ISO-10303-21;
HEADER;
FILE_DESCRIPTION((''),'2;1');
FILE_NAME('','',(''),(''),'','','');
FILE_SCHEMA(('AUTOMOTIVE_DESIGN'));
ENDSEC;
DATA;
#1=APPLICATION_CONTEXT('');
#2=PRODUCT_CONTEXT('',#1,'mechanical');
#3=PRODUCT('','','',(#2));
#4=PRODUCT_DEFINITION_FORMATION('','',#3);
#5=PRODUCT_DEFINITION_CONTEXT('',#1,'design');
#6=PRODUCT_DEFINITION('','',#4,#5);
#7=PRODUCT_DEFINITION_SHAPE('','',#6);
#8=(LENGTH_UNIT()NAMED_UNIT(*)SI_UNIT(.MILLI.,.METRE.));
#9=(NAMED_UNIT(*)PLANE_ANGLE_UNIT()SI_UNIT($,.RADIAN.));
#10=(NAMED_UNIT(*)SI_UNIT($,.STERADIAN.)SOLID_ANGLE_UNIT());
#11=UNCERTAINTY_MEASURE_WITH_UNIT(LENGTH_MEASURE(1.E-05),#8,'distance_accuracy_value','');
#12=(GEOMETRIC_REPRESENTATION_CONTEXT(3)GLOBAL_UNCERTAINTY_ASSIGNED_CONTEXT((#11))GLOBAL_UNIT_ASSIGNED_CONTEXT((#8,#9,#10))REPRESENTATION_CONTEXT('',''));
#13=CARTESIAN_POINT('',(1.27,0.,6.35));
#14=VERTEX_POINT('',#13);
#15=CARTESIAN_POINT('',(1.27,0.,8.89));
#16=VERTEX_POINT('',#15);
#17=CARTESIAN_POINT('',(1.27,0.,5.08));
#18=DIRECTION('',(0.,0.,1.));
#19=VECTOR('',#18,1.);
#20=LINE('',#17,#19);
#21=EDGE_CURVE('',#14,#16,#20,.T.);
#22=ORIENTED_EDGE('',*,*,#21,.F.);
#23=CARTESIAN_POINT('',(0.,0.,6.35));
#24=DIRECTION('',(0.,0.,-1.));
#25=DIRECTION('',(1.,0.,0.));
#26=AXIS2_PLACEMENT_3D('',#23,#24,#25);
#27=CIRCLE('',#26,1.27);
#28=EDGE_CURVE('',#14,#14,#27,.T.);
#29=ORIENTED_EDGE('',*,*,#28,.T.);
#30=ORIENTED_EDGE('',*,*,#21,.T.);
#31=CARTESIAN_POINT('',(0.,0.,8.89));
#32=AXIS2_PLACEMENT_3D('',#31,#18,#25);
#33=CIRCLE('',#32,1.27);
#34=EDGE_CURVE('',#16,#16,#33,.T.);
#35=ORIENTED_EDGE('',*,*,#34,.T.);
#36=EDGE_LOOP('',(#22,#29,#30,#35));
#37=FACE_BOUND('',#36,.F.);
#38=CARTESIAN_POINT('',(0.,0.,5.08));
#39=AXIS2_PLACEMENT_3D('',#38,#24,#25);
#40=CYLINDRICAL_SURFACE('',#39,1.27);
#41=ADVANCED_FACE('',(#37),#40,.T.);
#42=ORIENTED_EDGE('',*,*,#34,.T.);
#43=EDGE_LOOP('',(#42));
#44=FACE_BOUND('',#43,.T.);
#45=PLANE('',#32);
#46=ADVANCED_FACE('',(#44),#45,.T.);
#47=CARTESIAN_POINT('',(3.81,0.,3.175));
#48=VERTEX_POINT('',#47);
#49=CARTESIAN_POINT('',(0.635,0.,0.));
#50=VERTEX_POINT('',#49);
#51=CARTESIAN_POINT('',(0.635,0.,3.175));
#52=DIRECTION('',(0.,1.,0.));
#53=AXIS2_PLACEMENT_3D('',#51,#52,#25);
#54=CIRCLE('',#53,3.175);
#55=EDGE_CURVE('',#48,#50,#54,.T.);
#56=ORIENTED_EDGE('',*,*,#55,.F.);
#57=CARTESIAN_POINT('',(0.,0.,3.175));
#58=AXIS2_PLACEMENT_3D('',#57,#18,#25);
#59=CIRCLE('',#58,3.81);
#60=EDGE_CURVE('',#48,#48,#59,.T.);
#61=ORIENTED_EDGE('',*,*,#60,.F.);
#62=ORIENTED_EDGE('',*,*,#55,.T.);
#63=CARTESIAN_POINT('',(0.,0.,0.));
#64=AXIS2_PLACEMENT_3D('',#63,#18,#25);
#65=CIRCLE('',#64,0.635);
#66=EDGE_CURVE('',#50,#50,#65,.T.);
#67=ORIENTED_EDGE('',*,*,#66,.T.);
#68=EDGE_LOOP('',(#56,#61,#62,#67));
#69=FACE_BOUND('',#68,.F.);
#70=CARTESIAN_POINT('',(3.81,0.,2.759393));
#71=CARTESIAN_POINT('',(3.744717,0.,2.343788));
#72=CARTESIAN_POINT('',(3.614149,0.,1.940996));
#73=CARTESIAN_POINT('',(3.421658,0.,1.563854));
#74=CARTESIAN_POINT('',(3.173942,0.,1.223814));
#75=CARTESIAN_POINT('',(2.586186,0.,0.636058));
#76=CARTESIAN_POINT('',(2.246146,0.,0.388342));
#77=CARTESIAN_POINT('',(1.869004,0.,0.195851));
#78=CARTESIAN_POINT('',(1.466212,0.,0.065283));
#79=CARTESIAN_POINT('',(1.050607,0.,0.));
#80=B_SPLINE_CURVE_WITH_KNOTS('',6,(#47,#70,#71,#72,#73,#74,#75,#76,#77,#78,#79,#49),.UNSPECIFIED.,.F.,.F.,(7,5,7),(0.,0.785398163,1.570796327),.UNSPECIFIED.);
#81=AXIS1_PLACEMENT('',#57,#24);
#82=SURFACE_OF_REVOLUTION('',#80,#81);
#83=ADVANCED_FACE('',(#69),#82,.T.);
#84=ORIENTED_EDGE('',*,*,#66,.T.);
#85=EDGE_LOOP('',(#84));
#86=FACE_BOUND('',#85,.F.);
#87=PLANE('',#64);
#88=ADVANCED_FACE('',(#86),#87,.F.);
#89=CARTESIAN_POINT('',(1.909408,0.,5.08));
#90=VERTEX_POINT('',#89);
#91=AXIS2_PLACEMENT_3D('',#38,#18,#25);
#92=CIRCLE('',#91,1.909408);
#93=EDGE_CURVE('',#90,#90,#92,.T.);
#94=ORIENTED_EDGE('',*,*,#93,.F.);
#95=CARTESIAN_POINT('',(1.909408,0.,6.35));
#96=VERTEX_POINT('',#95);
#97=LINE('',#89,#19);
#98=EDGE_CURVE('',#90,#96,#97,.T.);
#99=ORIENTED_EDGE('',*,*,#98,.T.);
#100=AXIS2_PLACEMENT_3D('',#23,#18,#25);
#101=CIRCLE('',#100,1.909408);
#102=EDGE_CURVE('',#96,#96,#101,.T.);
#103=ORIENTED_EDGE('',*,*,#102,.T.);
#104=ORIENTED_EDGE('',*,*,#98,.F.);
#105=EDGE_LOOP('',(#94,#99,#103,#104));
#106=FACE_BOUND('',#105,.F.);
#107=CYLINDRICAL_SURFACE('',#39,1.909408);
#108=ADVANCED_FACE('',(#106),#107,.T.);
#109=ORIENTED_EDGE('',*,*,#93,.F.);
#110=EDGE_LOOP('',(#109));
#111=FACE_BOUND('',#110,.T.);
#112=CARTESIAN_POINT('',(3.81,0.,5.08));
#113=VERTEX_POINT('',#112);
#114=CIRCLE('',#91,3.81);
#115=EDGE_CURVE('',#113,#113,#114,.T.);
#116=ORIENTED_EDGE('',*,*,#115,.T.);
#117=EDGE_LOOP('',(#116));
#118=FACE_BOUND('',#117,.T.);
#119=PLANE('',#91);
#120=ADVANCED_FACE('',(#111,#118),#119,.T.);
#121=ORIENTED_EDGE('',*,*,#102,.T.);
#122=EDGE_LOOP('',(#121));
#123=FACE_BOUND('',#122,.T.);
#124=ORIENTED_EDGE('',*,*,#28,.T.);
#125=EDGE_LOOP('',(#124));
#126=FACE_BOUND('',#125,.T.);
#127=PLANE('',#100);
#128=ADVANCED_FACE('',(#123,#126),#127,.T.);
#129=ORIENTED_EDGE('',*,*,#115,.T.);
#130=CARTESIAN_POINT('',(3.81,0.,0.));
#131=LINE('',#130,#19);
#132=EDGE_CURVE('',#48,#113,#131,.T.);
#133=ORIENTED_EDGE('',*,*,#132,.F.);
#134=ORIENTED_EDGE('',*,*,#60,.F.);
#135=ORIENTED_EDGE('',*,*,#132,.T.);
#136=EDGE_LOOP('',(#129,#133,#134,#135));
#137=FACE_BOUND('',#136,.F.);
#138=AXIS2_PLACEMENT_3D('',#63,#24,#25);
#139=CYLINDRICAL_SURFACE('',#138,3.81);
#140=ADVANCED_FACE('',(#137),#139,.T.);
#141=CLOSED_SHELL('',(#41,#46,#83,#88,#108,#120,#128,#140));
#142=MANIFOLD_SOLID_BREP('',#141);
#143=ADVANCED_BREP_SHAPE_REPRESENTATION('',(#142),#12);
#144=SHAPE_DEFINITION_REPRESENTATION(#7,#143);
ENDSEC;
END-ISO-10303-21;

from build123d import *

# Parameters (mm, degrees)
F0_R     = 3.81
F1_DEPTH = 5.08
F2_R     = 3.175
F3_R     = 1.27
F4_DEPTH = 3.81
F5_R     = 1.909408
F6_DEPTH = 1.27


with BuildPart() as f1:
    # F0 (on Top) → F1 (new body)
    with BuildSketch(Plane.XY):
        Circle(F0_R)
    extrude(amount=F1_DEPTH)

    # F2
    f2_edges = [f1.edges().sort_by_distance(p)[0] for p in [
        (-3.81, 0, 0),
    ]]
    fillet(f2_edges, radius=F2_R)

    # F3 (on face) → F4 (join)
    with BuildSketch(Plane.XY.offset(5.08)):
        Circle(F3_R)
    extrude(amount=F4_DEPTH)

    # F5 (on face) → F6 (join)
    with BuildSketch(Plane.XY.offset(5.08)):
        Circle(F5_R)
    extrude(amount=F6_DEPTH)


solid = f1.part
